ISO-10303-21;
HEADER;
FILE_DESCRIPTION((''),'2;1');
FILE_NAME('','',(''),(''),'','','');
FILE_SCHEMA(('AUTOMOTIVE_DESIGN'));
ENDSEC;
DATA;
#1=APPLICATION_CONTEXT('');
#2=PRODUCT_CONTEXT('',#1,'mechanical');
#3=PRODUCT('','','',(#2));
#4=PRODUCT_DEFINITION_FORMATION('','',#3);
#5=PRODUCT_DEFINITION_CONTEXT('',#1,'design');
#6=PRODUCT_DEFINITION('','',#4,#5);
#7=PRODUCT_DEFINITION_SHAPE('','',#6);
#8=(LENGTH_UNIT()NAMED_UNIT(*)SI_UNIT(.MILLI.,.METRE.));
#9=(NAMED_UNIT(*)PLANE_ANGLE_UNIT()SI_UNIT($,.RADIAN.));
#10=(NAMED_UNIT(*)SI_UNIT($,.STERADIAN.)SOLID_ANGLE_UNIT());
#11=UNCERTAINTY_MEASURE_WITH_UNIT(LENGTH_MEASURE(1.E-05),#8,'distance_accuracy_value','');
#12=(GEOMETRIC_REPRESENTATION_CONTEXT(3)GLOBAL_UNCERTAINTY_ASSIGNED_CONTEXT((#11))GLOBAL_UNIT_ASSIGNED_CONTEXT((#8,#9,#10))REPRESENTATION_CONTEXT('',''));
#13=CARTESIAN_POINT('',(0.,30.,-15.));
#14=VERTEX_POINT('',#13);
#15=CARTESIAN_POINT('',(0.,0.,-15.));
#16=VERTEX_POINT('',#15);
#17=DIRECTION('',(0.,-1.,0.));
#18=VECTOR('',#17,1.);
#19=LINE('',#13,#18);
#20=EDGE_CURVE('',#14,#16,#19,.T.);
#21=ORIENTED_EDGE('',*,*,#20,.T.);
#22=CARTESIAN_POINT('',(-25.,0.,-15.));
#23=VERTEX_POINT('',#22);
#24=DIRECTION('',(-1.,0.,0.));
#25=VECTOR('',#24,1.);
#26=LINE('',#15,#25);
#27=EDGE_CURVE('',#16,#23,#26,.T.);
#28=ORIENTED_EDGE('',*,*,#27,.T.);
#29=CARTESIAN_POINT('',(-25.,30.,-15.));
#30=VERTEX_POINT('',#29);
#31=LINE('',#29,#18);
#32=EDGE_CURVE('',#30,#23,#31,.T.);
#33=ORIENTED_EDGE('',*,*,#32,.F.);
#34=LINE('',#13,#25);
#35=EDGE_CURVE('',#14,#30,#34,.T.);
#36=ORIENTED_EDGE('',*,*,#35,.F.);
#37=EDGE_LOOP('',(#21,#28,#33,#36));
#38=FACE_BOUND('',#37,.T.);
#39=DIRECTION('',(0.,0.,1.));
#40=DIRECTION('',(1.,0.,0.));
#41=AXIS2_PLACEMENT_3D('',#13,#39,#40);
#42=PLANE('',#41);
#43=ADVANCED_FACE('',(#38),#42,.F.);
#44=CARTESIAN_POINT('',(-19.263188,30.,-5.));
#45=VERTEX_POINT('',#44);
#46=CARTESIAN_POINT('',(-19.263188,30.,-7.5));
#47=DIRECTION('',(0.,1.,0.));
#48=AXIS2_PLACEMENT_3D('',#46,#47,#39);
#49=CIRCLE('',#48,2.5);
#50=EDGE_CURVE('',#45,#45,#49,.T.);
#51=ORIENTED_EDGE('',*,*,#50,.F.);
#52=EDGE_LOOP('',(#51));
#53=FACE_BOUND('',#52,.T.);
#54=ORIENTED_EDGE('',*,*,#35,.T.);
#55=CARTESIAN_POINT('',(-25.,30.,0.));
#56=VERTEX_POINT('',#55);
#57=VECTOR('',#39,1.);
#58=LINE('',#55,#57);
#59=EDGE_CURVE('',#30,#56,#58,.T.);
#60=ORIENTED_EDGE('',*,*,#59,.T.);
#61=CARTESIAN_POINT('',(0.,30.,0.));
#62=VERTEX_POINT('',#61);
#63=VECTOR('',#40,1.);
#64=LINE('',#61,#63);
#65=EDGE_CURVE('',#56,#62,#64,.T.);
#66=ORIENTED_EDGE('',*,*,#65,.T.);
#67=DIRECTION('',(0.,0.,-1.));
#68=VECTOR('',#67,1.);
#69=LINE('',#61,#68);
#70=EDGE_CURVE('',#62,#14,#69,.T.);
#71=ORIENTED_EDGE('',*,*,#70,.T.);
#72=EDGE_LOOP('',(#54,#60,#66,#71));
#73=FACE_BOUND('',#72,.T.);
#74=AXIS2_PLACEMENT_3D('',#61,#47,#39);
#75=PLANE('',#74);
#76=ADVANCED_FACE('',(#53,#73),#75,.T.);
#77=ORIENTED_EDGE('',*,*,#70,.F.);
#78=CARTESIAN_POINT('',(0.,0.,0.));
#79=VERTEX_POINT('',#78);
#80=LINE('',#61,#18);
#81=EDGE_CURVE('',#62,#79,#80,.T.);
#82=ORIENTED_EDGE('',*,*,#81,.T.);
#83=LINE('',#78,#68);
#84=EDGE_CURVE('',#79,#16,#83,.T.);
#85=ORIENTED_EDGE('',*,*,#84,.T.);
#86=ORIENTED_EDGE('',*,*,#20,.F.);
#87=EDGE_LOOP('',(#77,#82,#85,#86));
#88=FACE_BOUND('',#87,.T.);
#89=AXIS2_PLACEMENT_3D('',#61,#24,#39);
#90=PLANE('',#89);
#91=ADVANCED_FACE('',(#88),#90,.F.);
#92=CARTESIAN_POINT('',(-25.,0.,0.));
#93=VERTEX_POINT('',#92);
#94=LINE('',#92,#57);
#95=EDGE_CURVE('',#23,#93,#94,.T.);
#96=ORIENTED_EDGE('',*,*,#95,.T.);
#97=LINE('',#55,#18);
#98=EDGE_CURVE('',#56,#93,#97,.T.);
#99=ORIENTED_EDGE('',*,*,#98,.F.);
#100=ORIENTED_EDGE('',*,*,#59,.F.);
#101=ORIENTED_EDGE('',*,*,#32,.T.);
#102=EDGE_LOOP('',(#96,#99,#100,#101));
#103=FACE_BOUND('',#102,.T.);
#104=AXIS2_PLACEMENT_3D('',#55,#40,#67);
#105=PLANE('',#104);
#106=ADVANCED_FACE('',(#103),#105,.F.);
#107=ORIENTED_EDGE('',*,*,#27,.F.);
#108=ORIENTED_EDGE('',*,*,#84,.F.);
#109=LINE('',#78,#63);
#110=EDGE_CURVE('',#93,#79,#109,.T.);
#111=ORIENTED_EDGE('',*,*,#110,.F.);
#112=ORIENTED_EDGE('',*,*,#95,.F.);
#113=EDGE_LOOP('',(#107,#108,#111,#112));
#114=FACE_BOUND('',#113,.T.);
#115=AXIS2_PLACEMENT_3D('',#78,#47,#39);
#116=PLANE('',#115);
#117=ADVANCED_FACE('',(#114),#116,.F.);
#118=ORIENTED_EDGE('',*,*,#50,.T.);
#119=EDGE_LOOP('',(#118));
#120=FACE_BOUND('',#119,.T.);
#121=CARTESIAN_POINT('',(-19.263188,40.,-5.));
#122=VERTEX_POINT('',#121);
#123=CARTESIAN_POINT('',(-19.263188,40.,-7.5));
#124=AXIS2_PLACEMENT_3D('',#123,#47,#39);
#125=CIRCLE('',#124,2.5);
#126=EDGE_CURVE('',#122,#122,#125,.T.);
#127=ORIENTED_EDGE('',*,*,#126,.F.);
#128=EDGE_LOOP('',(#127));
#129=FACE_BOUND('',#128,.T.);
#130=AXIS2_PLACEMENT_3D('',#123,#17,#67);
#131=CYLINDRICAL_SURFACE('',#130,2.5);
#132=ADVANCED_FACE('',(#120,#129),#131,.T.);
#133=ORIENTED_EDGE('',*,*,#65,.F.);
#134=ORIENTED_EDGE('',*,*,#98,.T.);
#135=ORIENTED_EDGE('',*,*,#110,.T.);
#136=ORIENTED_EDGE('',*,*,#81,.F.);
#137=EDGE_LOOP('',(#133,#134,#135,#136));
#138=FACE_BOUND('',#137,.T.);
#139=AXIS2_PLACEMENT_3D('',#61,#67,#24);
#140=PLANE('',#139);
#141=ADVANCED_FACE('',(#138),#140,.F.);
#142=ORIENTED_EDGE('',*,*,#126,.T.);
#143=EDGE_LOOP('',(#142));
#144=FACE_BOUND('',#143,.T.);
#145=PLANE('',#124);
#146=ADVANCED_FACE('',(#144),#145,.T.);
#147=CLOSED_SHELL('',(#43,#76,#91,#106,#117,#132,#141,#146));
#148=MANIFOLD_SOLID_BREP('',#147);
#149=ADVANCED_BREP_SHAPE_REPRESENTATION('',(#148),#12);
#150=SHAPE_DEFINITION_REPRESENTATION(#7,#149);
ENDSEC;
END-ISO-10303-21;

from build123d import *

# Parameters (mm, degrees)
SKETCH1_W           = 25
SKETCH1_H           = 15
BOSS_EXTRUDE1_DEPTH = 30
SKETCH2_R           = 2.5
BOSS_EXTRUDE2_DEPTH = 10


with BuildPart() as part:
    # Sketch1 → Boss-Extrude1 (new body)
    with BuildSketch(Plane(origin=(0, 0, 0), x_dir=(1, 0, 0), z_dir=(0, 1, 0))):
        with Locations((-12.5, 7.5)):
            Rectangle(SKETCH1_W, SKETCH1_H)
    extrude(amount=BOSS_EXTRUDE1_DEPTH)

    # Sketch2 → Boss-Extrude2 (add)
    with BuildSketch(Plane(origin=(0, 30, 0), x_dir=(1, 0, 0), z_dir=(0, 1, 0))):
        with Locations(Location((-19.263188092, 7.5, 0), (0, 0, 270))):
            Circle(SKETCH2_R)
    extrude(amount=BOSS_EXTRUDE2_DEPTH)


solid = part.part
